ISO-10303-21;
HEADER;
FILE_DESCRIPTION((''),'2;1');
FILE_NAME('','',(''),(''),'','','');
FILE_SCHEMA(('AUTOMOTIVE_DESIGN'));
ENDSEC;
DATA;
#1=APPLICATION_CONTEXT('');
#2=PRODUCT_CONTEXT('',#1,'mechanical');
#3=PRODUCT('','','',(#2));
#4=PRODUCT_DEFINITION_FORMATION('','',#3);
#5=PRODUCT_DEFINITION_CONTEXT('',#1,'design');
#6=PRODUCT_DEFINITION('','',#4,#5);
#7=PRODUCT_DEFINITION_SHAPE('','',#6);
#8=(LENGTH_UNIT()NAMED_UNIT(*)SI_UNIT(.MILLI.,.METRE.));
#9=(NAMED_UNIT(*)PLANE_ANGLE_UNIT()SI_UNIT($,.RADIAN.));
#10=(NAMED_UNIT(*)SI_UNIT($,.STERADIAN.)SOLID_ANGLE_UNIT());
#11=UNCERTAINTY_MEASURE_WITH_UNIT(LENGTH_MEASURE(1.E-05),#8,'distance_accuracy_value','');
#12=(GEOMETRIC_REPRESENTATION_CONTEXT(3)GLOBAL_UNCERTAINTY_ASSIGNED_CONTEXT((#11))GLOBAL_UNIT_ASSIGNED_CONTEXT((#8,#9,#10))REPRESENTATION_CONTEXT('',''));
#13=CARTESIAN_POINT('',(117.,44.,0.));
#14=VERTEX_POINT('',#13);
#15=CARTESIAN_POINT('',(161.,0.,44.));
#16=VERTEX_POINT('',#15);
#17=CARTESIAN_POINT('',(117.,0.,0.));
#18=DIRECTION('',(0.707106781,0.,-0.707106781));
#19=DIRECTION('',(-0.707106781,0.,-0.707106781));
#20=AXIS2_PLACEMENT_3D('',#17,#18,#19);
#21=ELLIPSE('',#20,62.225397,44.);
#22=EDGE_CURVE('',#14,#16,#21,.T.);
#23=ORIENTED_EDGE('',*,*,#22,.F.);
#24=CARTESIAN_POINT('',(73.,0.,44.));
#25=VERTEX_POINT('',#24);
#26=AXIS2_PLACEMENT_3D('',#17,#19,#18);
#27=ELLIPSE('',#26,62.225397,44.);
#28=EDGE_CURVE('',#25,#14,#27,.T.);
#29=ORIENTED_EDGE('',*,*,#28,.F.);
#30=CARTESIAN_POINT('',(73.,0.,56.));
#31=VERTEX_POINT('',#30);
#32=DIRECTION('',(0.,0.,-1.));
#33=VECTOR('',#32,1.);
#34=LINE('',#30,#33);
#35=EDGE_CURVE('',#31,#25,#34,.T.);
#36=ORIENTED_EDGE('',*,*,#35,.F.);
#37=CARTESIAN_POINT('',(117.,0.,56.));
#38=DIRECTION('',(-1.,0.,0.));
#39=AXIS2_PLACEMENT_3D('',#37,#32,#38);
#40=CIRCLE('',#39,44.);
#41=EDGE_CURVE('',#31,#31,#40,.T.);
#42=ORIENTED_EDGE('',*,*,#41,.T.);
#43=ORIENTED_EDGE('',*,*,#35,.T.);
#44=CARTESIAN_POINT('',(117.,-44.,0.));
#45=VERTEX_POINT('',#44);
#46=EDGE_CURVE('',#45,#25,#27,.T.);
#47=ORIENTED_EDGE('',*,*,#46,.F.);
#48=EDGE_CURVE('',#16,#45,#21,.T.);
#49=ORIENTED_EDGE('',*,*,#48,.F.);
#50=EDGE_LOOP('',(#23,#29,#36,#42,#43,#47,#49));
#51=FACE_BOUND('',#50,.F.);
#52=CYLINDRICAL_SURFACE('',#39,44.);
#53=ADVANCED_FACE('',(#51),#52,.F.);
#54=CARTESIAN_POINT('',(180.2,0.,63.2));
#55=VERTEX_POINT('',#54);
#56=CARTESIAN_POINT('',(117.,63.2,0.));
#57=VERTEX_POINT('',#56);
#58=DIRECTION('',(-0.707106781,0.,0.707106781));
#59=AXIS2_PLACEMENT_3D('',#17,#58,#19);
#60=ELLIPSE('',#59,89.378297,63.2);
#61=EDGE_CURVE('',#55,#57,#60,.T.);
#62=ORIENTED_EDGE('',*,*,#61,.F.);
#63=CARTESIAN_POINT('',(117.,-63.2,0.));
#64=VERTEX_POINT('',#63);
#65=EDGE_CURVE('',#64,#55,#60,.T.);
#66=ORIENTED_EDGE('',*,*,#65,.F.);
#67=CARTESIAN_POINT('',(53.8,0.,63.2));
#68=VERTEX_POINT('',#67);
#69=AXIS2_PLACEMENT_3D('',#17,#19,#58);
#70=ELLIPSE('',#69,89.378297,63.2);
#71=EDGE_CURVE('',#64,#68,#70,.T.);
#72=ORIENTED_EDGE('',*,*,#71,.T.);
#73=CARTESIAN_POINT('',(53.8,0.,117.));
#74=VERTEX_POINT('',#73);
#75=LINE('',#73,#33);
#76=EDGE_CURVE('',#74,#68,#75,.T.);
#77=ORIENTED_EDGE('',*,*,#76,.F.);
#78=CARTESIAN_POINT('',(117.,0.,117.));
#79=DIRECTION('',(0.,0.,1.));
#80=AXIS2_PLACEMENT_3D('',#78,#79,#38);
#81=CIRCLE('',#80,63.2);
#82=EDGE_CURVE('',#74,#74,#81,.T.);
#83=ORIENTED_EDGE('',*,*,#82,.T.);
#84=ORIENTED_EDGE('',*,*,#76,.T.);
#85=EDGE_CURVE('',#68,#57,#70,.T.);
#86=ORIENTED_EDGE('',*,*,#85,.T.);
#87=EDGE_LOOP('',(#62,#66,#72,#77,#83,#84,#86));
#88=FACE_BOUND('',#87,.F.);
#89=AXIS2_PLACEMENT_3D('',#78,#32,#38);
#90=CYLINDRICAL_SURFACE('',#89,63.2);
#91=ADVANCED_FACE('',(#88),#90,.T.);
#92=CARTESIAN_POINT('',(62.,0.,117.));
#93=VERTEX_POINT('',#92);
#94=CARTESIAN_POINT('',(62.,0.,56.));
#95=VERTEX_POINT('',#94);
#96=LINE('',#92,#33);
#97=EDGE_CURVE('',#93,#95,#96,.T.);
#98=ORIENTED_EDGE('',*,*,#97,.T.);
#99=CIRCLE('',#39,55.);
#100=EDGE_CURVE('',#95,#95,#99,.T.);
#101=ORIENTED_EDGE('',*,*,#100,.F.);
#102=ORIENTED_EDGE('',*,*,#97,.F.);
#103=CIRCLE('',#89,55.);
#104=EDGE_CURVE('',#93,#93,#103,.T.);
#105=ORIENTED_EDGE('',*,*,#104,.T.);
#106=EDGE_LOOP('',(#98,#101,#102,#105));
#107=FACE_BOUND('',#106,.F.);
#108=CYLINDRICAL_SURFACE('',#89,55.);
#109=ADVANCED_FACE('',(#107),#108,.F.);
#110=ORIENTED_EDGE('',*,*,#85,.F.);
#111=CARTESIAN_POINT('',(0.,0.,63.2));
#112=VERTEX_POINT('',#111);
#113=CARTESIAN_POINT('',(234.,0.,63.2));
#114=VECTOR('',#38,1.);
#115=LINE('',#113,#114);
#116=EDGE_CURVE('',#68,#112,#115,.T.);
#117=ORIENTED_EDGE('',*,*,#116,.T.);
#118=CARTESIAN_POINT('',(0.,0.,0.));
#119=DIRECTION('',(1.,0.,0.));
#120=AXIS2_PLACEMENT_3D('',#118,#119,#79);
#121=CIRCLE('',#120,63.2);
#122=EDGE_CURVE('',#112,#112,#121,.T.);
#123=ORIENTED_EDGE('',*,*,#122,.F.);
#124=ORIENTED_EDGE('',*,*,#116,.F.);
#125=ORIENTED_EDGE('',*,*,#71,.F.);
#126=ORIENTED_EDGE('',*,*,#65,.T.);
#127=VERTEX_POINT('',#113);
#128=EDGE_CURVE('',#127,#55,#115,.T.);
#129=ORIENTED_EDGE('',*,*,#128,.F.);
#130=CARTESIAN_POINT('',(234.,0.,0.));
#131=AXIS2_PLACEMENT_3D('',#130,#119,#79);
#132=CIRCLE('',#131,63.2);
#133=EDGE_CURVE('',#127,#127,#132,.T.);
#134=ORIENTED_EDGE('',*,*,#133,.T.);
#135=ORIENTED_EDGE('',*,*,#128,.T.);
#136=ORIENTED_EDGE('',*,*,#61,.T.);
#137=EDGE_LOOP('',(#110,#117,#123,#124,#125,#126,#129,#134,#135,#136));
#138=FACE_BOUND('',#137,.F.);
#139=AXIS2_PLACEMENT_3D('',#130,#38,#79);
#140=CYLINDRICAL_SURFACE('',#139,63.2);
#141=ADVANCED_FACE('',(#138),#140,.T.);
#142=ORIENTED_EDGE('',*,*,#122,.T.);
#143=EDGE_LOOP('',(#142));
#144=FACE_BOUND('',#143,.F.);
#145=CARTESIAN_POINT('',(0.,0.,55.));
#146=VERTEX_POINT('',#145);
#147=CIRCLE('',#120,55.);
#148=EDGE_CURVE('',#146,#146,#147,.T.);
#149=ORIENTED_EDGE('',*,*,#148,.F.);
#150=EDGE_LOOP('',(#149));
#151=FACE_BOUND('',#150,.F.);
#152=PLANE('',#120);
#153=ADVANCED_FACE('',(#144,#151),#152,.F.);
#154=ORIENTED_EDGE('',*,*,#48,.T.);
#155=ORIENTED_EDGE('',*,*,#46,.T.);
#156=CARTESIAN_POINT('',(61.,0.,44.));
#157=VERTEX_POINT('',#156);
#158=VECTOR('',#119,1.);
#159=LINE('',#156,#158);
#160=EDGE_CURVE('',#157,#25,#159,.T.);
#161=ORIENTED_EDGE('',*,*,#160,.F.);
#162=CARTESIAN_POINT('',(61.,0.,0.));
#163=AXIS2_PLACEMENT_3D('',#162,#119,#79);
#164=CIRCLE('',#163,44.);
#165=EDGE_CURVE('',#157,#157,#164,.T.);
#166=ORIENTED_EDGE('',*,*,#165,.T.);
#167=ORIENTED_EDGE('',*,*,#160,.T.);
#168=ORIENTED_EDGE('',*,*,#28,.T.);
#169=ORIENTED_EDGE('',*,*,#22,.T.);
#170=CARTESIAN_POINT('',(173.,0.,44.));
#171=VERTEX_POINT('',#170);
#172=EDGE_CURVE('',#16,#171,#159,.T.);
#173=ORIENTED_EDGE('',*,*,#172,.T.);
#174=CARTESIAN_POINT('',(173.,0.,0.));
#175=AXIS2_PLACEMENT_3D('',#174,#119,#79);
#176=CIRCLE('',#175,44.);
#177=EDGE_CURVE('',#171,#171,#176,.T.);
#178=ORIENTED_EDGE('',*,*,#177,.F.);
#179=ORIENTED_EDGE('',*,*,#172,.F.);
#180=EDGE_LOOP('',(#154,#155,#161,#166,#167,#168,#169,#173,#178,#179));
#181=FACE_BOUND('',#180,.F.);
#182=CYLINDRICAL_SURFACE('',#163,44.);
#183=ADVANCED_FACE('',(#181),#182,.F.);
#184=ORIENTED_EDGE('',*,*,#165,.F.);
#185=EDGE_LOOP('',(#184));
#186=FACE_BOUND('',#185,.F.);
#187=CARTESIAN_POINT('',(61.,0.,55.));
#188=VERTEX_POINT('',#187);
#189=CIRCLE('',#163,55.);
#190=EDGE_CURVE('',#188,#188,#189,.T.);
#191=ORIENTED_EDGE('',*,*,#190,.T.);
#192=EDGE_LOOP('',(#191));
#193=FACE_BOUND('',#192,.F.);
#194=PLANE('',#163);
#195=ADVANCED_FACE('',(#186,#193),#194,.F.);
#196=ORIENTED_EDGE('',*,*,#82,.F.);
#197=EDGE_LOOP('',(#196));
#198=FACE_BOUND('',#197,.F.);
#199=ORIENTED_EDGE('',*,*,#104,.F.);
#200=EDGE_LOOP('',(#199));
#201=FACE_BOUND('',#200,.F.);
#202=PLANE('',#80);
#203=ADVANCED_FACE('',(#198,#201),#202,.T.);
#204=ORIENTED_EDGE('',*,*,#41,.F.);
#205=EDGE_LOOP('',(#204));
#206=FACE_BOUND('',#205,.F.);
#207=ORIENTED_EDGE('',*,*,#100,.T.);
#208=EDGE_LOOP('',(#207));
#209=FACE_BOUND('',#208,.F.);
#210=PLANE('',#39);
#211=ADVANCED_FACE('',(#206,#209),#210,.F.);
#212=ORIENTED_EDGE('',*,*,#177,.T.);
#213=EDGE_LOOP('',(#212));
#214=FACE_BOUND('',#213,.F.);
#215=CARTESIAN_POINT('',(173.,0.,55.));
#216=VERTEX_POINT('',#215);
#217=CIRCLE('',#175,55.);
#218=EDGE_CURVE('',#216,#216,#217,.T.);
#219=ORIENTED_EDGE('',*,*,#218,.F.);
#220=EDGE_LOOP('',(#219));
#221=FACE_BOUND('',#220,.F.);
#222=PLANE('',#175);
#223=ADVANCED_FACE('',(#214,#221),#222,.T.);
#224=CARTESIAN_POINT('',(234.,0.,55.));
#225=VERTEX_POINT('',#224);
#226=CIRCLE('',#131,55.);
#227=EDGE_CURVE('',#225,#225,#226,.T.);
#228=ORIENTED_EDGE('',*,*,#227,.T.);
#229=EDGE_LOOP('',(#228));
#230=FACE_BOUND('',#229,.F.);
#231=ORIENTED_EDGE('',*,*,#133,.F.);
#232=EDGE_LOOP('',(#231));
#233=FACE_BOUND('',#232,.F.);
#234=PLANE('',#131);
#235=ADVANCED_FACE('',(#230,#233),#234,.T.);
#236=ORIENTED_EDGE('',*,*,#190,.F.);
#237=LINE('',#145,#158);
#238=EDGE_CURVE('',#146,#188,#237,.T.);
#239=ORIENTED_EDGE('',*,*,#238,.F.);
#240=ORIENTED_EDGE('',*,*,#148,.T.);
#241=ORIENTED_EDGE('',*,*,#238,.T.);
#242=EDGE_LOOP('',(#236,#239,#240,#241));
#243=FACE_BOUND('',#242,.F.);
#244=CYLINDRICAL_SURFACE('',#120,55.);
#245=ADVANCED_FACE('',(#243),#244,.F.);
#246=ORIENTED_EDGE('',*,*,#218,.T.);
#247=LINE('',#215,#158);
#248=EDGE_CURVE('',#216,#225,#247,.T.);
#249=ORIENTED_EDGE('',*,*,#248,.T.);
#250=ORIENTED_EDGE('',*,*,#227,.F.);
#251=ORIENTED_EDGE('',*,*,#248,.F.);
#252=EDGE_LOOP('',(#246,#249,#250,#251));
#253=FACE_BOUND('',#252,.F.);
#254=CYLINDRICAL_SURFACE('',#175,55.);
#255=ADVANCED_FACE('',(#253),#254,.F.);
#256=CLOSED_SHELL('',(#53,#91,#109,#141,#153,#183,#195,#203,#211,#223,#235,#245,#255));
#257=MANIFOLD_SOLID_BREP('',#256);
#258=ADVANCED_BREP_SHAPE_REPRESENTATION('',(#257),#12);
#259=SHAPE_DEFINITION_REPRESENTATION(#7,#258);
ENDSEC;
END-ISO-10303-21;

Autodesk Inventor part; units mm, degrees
ref_plane "YZ Plane" through (0, 0, 0) normal (1, 0, 0) x (0, 1, 0)
ref_plane "XZ Plane" through (0, 0, 0) normal (0, 1, 0) x (-1, 0, 0)
ref_plane "XY Plane" through (0, 0, 0) normal (0, 0, 1) x (1, 0, 0)
sketch "Sketch1" plane through (0, 0, 0) normal (0, 1, 0) x (-1, 0, 0)
  line L0 (0, 0) -> (-234, 0)
  line L1 (-234, 0) -> (-234, 63.2)
  line L2 (-234, 63.2) -> (0, 63.2)
  line L3 (0, 63.2) -> (0, 0)
  dimension "d0" = 234
  dimension "d2" = 126.4
revolve "Revolution1" add sketch "Sketch1" angle 360 about axis through (0, 0, 0) along (1, 0, 0)
sketch "Sketch3" plane through (0, 0, 0) normal (0, 1, 0) x (-1, 0, 0)
  line L0 (-180.2, 117) -> (-53.8, 117) projected
  line L1 (0, -63.2) -> (0, 63.2) projected
  line L2 (-234, -63.2) -> (-234, 63.2) projected
  line L3 (0, 0) -> (-234, 0)
  line L4 (-117, 117) -> (-117, 0)
  line L5 (-62, 117) -> (-62, 56)
  line L6 (-62, 56) -> (-73, 56)
  line L7 (-73, 56) -> (-73, 0)
  dimension "d5" = 110
  dimension "d6" = 88
  dimension "d8" = 61
sketch "Sketch2" plane through (0, 0, 0) normal (0, 1, 0) x (-1, 0, 0)
  line L0 (0, 0) -> (-234, 0)
  line L1 (-117, 0) -> (-117, 117)
  line L2 (-117, 117) -> (-53.8, 117)
  line L3 (-53.8, 117) -> (-53.8, 0)
  line L4 (0, -63.2) -> (0, 63.2) projected
  line L5 (-234, -63.2) -> (-234, 63.2) projected
  point P0 (-15, 117)
  point P1 (-117, 9)
  dimension "d3" = 126.4
  dimension "d4" = 117
revolve "Revolution2" add sketch "Sketch2" angle 360 about axis through (117, 0, 0) along (0, 0, 1)
revolve "Revolution3" cut sketch "Sketch3" angle 360 about axis through (117, 0, 117) along (0, 0, -1)
sketch "Sketch4" plane through (0, 0, 0) normal (0, 1, 0) x (-1, 0, 0)
  line L0 (0, -63.2) -> (0, 63.2) projected
  line L1 (-234, -63.2) -> (-234, 63.2) projected
  line L2 (0, 0) -> (-234, 0)
  line L3 (0, 55) -> (-61, 55)
  line L4 (-61, 55) -> (-61, 44)
  line L5 (-61, 44) -> (-173, 44)
  line L6 (-173, 44) -> (-173, 55)
  line L7 (-173, 55) -> (-234, 55)
  dimension "d9" = 110
  dimension "d10" = 110
  dimension "d11" = 88
  dimension "d12" = 61
  dimension "d14" = 61
revolve "Revolution4" cut sketch "Sketch4" angle 360 about axis through (0, 0, 0) along (1, 0, 0)
equation "\"d0\" = 2 * z1 + 2 * t1"
equation "\"d2\" = d1 + 2 * h1"
equation "\"d5\" = d1"
equation "\"d6\" = 0.8 * d1"
equation "\"d8\" = t1"
equation "\"d9\" = d1"
equation "\"d10\" = d1"
equation "\"d11\" = 0.8 * d1"
equation "\"d12\" = t1"
equation "\"d14\" = t1"
equation "\"d3\" = d1 + 2 * h1"
equation "\"d4\" = z1 + t1"
equation "\"d1\" = 110"
equation "\"z1\" = 56"
equation "\"t1\" = 61"
equation "\"h1\" = 8.2"
properties part number "DIN 8063 Тройник, тип T 110" material "ПВХ, непластифицированный"
